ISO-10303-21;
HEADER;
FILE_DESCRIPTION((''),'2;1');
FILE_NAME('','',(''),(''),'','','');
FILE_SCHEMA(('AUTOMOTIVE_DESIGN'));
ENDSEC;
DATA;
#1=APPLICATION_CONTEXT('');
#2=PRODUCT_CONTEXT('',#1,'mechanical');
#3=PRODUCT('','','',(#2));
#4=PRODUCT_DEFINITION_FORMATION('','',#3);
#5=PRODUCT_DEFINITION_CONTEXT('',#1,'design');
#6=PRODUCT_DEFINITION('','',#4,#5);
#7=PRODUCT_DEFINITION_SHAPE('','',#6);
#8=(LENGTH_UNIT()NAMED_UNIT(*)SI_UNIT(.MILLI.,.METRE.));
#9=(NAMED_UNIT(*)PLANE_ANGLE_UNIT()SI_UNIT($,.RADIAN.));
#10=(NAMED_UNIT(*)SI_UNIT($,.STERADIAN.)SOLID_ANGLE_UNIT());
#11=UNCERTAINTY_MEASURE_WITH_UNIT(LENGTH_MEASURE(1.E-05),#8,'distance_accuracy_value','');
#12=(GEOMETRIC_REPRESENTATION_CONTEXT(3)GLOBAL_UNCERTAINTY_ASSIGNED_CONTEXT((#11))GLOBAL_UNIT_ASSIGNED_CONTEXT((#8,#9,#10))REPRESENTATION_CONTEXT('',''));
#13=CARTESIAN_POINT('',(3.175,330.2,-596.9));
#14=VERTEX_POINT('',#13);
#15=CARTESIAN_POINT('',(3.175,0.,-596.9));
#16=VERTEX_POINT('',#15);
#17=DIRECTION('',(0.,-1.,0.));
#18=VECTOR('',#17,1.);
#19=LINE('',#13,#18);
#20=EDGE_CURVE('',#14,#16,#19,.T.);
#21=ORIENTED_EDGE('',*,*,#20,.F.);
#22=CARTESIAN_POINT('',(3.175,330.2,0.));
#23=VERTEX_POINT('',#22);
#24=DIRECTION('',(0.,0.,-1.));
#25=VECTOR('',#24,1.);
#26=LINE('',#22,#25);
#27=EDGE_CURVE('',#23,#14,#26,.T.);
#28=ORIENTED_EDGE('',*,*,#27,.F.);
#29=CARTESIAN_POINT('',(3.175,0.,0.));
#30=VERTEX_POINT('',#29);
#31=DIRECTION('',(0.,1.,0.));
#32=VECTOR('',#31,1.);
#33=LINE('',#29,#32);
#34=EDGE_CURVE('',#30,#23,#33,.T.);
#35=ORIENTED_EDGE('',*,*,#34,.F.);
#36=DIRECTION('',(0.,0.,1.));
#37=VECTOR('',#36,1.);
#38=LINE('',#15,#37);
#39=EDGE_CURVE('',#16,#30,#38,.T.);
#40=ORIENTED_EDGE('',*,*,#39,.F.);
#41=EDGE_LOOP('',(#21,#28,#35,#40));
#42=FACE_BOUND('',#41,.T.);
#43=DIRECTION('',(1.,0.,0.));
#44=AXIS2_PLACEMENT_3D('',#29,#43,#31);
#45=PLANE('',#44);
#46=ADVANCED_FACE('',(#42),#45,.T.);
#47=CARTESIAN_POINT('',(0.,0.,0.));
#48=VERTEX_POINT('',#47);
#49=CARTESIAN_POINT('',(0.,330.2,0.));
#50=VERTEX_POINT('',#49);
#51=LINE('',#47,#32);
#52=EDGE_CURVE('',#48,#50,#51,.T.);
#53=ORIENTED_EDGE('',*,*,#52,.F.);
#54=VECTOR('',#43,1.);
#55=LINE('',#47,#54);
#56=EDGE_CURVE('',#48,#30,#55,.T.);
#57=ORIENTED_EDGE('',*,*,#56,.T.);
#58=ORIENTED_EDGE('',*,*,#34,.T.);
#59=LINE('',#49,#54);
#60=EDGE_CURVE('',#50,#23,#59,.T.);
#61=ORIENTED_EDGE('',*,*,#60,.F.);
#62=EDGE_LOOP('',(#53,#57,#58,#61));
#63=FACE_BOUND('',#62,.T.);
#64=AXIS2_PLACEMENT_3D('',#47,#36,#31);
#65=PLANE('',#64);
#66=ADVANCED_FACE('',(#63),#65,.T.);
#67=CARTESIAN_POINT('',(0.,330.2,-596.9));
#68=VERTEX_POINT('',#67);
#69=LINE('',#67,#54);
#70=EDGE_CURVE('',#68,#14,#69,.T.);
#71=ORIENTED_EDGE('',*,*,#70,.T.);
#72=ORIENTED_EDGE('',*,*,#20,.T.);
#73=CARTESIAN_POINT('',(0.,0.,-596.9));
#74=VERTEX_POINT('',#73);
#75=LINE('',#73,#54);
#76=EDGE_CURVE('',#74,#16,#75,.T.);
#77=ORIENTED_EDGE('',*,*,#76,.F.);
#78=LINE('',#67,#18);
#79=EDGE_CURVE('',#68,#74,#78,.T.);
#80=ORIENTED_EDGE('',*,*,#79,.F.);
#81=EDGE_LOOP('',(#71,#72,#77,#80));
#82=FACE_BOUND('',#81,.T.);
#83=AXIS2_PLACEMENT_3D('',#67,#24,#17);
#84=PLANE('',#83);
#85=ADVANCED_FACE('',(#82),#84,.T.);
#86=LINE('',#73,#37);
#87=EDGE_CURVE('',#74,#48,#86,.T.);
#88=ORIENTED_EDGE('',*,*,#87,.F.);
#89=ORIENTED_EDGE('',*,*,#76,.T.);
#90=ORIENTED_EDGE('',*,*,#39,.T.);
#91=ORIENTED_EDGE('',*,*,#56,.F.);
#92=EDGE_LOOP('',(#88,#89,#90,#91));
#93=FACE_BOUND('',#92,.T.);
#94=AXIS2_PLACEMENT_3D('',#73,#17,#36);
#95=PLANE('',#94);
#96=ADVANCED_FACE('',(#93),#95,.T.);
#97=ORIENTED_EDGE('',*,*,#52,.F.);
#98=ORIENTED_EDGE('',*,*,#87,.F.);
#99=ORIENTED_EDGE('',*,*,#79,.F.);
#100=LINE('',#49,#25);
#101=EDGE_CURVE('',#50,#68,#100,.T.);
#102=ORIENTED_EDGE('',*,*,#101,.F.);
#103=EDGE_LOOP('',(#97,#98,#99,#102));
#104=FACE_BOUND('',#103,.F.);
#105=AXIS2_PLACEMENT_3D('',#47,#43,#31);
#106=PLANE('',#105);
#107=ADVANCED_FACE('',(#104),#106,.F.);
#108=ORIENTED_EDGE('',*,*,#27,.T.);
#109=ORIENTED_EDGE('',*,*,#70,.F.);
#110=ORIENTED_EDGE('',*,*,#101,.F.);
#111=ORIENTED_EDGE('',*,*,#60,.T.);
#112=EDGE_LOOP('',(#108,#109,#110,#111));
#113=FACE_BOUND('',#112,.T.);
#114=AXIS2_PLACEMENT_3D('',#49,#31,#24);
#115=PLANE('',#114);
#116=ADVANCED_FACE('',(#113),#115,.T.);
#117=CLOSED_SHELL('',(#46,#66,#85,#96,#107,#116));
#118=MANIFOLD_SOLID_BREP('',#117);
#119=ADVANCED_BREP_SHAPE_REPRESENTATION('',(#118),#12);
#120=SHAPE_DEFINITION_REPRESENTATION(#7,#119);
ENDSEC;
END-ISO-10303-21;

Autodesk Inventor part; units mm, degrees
ref_plane "YZ Plane" through (0, 0, 0) normal (1, 0, 0) x (0, 1, 0)
ref_plane "XZ Plane" through (0, 0, 0) normal (0, 1, 0) x (-1, 0, 0)
ref_plane "XY Plane" through (0, 0, 0) normal (0, 0, 1) x (1, 0, 0)
sketch "Sketch1" plane through (0, 0, 0) normal (1, 0, 0) x (0, 1, 0)
  line L0 (0, 0) -> (330.2, 0)
  line L1 (330.2, 0) -> (330.2, -596.9)
  line L2 (330.2, -596.9) -> (0, -596.9)
  line L3 (0, -596.9) -> (0, 0)
  dimension "d0" = 330.2
  dimension "d1" = 596.9
extrude "Extrusion1" add sketch "Sketch1" along normal blind 3.175
properties part number "TMP"
